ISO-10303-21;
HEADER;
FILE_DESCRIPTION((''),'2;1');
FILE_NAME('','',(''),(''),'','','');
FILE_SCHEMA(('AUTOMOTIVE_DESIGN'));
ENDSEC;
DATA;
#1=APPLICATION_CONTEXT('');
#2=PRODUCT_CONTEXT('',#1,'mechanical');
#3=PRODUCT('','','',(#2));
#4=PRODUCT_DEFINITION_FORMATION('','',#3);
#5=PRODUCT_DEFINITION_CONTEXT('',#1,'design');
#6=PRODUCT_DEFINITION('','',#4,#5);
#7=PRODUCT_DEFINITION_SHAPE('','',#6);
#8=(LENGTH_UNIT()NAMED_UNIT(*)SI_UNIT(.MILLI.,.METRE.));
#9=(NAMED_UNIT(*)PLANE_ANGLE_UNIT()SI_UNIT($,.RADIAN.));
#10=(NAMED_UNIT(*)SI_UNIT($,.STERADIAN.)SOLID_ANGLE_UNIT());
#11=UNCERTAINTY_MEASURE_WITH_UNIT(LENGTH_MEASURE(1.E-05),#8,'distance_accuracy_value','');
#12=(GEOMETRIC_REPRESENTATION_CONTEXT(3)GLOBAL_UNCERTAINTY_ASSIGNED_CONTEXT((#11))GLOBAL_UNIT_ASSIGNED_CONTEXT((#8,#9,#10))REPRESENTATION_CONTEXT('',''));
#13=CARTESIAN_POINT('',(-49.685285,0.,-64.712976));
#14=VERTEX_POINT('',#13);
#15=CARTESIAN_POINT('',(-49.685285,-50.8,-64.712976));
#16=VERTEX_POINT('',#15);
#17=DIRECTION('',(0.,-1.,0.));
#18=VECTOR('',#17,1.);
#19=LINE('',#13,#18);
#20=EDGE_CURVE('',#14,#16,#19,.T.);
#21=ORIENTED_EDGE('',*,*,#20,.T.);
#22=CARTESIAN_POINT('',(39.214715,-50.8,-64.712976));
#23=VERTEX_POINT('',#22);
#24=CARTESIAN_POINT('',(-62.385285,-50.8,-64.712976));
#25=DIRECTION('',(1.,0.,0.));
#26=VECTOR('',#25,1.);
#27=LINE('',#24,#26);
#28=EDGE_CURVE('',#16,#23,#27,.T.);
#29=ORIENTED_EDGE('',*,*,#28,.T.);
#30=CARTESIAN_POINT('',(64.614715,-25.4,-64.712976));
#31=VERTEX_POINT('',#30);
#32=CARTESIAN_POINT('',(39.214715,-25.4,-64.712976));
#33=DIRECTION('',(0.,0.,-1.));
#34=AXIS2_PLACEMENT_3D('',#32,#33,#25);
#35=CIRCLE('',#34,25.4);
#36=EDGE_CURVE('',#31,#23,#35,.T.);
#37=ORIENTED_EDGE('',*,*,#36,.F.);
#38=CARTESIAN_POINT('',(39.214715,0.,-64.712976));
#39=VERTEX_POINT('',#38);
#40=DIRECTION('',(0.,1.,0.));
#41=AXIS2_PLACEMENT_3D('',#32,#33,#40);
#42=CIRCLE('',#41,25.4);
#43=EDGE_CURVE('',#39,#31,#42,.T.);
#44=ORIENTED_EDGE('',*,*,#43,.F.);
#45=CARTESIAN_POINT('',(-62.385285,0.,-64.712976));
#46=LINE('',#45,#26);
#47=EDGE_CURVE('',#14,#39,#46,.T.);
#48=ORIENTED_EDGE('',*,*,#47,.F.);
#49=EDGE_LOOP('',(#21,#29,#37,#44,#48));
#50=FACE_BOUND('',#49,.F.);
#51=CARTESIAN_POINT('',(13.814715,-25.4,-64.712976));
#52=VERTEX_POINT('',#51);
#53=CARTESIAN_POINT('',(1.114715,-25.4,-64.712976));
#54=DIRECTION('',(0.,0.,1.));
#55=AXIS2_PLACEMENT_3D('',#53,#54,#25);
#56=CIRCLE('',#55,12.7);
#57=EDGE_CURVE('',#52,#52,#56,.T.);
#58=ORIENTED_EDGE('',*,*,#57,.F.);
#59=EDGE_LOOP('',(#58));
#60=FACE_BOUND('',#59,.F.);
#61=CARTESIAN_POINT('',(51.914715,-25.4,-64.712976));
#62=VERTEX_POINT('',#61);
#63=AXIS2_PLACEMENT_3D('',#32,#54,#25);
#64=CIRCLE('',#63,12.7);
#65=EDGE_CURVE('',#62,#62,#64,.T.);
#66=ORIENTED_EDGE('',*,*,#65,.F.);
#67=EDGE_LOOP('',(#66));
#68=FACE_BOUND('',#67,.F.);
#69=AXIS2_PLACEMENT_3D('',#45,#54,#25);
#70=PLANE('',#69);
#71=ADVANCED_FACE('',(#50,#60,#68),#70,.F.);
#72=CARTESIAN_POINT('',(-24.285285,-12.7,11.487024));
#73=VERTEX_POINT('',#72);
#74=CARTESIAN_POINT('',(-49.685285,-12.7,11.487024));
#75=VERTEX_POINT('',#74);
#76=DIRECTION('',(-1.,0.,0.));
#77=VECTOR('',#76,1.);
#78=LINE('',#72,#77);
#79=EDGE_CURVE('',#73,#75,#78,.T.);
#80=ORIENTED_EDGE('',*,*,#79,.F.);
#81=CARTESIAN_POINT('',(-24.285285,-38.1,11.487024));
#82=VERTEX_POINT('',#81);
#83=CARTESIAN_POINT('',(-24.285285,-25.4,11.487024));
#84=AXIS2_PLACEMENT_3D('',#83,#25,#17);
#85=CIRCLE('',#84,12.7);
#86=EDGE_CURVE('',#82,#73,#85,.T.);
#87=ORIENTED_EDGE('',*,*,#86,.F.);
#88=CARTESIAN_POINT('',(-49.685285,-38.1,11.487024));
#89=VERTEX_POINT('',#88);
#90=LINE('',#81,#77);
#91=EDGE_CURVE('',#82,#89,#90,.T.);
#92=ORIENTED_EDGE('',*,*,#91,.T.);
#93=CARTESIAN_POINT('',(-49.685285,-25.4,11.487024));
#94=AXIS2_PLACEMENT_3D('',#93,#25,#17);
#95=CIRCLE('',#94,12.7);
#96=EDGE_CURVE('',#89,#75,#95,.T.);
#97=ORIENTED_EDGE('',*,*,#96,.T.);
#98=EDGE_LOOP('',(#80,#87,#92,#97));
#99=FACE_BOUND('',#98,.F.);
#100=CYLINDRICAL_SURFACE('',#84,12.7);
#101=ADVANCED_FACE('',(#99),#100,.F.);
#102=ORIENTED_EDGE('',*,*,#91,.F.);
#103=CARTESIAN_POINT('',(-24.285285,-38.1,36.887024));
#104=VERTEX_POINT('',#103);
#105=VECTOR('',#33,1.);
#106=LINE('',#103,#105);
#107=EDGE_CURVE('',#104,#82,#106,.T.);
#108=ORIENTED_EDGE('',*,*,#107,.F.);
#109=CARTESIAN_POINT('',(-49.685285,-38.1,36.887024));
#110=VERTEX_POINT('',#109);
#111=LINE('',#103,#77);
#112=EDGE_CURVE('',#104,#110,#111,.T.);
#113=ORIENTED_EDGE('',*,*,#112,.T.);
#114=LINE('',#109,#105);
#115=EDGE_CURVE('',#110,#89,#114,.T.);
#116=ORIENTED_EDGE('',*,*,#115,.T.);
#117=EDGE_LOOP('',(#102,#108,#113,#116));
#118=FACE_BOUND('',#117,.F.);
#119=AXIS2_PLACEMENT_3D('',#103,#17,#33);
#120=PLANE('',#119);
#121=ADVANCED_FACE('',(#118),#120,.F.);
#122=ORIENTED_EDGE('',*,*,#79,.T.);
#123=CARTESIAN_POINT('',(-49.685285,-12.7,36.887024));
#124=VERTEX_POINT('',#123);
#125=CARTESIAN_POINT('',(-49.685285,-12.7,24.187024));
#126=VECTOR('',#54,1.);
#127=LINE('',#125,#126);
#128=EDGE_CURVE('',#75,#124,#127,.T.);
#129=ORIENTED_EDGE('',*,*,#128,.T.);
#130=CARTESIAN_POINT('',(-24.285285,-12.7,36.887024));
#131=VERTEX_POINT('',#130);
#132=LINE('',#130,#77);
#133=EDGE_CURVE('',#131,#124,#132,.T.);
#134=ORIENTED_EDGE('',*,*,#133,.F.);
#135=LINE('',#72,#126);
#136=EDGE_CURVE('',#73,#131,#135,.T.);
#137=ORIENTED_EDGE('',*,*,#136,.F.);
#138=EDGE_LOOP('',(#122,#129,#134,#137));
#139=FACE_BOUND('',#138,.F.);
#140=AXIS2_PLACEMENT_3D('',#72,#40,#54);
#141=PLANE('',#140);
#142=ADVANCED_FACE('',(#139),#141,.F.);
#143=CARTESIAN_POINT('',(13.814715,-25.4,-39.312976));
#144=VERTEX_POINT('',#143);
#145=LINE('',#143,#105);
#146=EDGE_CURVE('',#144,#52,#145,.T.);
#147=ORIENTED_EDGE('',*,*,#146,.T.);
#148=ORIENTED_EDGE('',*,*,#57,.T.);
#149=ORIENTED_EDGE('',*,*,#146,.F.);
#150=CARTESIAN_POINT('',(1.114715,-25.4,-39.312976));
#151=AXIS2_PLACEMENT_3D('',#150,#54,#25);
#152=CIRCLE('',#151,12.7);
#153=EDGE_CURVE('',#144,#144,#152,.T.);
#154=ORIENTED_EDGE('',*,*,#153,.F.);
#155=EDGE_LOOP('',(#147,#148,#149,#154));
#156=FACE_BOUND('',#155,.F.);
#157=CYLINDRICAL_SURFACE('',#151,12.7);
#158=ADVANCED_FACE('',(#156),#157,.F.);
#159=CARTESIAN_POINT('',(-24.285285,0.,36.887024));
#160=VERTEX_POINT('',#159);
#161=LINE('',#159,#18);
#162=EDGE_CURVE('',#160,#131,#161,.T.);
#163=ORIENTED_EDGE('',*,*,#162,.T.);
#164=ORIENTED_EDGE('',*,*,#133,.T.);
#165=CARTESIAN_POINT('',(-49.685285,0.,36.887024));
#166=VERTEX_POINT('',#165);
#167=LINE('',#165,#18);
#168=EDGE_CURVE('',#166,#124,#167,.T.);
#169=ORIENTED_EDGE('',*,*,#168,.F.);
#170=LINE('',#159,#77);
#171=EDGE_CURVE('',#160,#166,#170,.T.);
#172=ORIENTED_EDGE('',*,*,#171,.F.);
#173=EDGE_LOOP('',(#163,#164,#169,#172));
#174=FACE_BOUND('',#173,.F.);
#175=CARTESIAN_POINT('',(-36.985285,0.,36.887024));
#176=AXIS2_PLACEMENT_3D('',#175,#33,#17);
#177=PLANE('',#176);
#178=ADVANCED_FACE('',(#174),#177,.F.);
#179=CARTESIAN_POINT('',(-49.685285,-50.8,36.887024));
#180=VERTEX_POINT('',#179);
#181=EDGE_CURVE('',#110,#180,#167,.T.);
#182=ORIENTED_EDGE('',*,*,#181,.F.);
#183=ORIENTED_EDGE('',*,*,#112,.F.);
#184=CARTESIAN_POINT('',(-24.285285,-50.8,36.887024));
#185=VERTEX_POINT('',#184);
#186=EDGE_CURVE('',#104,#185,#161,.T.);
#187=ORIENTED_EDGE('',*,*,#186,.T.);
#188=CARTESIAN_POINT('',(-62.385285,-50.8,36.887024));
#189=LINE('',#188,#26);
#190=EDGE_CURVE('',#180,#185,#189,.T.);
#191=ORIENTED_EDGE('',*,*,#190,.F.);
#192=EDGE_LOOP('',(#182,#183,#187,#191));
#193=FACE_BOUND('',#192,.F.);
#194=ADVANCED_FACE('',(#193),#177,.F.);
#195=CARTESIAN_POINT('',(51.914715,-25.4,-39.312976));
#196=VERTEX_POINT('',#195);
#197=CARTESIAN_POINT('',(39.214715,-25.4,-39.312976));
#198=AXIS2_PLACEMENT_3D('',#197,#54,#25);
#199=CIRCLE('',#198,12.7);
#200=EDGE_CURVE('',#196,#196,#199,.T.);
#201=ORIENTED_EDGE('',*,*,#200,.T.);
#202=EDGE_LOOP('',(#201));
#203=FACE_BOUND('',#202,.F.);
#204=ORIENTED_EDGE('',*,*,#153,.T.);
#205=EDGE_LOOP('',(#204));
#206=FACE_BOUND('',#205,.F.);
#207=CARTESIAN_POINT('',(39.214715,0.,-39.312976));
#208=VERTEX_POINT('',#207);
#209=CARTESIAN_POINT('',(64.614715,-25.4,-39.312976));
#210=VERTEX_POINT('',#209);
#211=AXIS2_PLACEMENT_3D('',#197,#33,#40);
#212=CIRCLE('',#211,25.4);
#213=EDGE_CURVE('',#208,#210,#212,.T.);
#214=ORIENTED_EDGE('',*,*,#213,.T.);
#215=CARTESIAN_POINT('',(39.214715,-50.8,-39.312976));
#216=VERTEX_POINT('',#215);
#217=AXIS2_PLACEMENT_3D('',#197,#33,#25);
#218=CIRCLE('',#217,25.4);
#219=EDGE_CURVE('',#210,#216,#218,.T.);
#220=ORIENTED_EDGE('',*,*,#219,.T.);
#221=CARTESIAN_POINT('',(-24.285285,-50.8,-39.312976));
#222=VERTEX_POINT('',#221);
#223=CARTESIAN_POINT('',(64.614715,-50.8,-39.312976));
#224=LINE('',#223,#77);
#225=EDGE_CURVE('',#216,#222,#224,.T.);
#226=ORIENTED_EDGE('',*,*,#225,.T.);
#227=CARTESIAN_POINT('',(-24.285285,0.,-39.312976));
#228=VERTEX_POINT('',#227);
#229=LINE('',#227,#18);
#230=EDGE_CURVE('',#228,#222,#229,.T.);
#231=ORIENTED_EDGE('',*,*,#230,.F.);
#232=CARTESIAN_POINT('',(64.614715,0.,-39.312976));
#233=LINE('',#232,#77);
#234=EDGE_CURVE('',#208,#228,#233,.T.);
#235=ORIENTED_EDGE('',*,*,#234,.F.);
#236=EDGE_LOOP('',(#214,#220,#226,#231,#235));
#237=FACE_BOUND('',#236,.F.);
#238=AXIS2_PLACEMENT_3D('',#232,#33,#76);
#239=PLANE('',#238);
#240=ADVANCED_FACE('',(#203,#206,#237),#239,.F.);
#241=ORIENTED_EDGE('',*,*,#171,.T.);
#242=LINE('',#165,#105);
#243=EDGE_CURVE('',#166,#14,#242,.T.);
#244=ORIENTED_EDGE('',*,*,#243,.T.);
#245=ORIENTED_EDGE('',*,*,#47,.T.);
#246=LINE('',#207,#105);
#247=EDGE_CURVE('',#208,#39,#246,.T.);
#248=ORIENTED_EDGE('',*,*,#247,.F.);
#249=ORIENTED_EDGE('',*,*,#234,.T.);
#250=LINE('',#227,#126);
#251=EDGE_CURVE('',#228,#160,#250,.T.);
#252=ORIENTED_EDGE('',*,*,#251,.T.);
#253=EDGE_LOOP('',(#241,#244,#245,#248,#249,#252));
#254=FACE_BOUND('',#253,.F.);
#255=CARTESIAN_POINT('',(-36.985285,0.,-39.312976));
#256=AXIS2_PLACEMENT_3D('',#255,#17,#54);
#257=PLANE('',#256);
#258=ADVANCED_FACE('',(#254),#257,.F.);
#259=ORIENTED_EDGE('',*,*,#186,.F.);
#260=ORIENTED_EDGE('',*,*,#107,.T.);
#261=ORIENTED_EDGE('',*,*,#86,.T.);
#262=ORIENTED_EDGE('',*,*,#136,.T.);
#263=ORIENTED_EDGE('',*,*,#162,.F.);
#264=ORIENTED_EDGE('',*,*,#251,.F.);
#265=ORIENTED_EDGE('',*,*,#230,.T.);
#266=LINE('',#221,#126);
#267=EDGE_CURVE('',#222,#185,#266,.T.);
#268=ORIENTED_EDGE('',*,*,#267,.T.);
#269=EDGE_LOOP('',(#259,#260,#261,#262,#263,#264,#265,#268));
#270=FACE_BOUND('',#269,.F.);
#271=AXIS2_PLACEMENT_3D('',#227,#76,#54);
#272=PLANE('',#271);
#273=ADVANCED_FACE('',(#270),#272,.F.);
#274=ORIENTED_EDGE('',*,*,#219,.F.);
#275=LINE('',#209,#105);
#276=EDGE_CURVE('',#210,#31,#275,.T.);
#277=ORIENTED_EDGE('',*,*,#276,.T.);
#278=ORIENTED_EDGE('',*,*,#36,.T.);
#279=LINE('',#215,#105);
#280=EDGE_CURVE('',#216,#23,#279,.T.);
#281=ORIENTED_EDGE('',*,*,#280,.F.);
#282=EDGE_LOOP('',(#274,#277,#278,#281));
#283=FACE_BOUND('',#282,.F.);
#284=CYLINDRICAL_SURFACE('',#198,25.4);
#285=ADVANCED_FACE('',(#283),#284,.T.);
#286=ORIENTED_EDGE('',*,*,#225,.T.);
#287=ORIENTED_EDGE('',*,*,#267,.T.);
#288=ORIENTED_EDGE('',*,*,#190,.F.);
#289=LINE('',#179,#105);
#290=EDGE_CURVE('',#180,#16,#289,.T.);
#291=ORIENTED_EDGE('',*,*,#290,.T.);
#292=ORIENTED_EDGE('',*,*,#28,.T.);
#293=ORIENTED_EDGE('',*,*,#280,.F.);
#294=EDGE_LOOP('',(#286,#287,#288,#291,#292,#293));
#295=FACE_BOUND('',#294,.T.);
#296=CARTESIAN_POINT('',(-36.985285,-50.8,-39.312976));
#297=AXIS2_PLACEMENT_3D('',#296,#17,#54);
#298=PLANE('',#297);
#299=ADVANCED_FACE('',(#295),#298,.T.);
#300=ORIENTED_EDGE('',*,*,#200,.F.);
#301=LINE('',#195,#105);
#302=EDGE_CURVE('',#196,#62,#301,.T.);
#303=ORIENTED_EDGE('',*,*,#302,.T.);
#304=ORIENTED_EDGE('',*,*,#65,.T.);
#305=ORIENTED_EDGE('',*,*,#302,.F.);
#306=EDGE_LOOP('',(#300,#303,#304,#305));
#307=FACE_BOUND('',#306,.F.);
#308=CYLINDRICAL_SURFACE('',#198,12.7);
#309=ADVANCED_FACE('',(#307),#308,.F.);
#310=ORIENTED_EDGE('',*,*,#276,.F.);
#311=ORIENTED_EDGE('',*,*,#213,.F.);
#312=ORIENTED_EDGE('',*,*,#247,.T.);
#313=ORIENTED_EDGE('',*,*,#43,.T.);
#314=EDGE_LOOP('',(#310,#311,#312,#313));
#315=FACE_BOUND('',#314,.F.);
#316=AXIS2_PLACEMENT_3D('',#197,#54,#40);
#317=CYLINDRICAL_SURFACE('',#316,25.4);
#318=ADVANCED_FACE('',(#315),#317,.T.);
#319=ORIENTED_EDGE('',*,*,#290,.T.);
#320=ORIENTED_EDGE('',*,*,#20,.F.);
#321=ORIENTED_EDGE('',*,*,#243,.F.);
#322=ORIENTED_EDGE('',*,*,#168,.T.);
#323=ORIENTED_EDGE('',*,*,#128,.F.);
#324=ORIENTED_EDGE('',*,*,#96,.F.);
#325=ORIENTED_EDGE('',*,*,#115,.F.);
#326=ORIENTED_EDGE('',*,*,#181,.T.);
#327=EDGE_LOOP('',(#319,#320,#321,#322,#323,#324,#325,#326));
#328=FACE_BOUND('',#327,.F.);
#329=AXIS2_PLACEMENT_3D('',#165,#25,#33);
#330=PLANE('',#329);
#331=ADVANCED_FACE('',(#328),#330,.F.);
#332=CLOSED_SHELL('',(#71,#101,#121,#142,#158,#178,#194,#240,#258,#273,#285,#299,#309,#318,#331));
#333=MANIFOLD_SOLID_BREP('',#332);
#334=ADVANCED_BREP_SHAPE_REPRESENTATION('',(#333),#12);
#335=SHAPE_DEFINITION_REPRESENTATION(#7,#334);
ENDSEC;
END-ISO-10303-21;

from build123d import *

# Parameters (mm, degrees)
F1_DEPTH = 50.8
F3_DEPTH = 25.4
F5_DEPTH = 12.7
F6_DEPTH = 12.7
F8_DEPTH = 25.401
F4_R     = 12.7
F9_DEPTH = 25.401


with BuildPart() as f1:
    # F0 (on Front) → F1 (new body)
    with BuildSketch(Plane.XZ):
        Polygon((-36.9852854972, 36.8870242119), (-62.3852854972, 36.8870242119), (-62.3852854972, -64.7129757881), (64.6147145028, -64.7129757881), (64.6147145028, -39.3129757881), (-36.9852854972, -39.3129757881), align=None)
    extrude(amount=F1_DEPTH)

    # F2 (on face) → F3 (cut)
    with BuildSketch(Plane.XY.offset(-39.3129757881)):
        with BuildLine():
            ThreePointArc((64.6147145028, -25.4), (57.1752267449, -43.3605122421), (39.2147145028, -50.8))
            Line((39.2147145028, -50.8), (64.6147145028, -50.8))
            Line((64.6147145028, -50.8), (64.6147145028, -25.4))
        make_face()
        with BuildLine():
            ThreePointArc((39.2147145028, 0), (57.1752267449, -7.4394877579), (64.6147145028, -25.4))
            Line((64.6147145028, -25.4), (64.6147145028, 0))
            Line((64.6147145028, 0), (39.2147145028, 0))
        make_face()
    extrude(amount=-F3_DEPTH, mode=Mode.SUBTRACT)

    # F5 (add): a face of the model
    f5_faces = [f1.faces().sort_by_distance(p)[0] for p in [
        (-36.9852854972, -25.4, -1.2129757881),
    ]]
    extrude(f5_faces, amount=F5_DEPTH)

    # F6 (cut): a face of the model
    f6_faces = [f1.faces().sort_by_distance(p)[0] for p in [
        (-62.3852854972, -25.4, -13.9129757881),
    ]]
    extrude(f6_faces, amount=-F6_DEPTH, mode=Mode.SUBTRACT)

    # F7 (on face) → F8 (cut, through all)
    with BuildSketch(Plane.YZ.offset(-24.2852854972)):
        with BuildLine():
            Line((-38.1, 36.8870242119), (-38.1, 11.4870242119))
            ThreePointArc((-38.1, 11.4870242119), (-25.4, -1.2129757881), (-12.7, 11.4870242119))
            Line((-12.7, 11.4870242119), (-12.7, 36.8870242119))
            Line((-12.7, 36.8870242119), (-38.1, 36.8870242119))
        make_face()
    extrude(amount=-F8_DEPTH, mode=Mode.SUBTRACT)

    # F4 (on face) → F9 (cut, through all)
    with BuildSketch(Plane.XY.offset(-39.3129757881)):
        with Locations((1.1147145028, -25.4)):
            Circle(F4_R)
        with Locations((39.2147145028, -25.4)):
            Circle(F4_R)
    extrude(amount=-F9_DEPTH, mode=Mode.SUBTRACT)


solid = f1.part
